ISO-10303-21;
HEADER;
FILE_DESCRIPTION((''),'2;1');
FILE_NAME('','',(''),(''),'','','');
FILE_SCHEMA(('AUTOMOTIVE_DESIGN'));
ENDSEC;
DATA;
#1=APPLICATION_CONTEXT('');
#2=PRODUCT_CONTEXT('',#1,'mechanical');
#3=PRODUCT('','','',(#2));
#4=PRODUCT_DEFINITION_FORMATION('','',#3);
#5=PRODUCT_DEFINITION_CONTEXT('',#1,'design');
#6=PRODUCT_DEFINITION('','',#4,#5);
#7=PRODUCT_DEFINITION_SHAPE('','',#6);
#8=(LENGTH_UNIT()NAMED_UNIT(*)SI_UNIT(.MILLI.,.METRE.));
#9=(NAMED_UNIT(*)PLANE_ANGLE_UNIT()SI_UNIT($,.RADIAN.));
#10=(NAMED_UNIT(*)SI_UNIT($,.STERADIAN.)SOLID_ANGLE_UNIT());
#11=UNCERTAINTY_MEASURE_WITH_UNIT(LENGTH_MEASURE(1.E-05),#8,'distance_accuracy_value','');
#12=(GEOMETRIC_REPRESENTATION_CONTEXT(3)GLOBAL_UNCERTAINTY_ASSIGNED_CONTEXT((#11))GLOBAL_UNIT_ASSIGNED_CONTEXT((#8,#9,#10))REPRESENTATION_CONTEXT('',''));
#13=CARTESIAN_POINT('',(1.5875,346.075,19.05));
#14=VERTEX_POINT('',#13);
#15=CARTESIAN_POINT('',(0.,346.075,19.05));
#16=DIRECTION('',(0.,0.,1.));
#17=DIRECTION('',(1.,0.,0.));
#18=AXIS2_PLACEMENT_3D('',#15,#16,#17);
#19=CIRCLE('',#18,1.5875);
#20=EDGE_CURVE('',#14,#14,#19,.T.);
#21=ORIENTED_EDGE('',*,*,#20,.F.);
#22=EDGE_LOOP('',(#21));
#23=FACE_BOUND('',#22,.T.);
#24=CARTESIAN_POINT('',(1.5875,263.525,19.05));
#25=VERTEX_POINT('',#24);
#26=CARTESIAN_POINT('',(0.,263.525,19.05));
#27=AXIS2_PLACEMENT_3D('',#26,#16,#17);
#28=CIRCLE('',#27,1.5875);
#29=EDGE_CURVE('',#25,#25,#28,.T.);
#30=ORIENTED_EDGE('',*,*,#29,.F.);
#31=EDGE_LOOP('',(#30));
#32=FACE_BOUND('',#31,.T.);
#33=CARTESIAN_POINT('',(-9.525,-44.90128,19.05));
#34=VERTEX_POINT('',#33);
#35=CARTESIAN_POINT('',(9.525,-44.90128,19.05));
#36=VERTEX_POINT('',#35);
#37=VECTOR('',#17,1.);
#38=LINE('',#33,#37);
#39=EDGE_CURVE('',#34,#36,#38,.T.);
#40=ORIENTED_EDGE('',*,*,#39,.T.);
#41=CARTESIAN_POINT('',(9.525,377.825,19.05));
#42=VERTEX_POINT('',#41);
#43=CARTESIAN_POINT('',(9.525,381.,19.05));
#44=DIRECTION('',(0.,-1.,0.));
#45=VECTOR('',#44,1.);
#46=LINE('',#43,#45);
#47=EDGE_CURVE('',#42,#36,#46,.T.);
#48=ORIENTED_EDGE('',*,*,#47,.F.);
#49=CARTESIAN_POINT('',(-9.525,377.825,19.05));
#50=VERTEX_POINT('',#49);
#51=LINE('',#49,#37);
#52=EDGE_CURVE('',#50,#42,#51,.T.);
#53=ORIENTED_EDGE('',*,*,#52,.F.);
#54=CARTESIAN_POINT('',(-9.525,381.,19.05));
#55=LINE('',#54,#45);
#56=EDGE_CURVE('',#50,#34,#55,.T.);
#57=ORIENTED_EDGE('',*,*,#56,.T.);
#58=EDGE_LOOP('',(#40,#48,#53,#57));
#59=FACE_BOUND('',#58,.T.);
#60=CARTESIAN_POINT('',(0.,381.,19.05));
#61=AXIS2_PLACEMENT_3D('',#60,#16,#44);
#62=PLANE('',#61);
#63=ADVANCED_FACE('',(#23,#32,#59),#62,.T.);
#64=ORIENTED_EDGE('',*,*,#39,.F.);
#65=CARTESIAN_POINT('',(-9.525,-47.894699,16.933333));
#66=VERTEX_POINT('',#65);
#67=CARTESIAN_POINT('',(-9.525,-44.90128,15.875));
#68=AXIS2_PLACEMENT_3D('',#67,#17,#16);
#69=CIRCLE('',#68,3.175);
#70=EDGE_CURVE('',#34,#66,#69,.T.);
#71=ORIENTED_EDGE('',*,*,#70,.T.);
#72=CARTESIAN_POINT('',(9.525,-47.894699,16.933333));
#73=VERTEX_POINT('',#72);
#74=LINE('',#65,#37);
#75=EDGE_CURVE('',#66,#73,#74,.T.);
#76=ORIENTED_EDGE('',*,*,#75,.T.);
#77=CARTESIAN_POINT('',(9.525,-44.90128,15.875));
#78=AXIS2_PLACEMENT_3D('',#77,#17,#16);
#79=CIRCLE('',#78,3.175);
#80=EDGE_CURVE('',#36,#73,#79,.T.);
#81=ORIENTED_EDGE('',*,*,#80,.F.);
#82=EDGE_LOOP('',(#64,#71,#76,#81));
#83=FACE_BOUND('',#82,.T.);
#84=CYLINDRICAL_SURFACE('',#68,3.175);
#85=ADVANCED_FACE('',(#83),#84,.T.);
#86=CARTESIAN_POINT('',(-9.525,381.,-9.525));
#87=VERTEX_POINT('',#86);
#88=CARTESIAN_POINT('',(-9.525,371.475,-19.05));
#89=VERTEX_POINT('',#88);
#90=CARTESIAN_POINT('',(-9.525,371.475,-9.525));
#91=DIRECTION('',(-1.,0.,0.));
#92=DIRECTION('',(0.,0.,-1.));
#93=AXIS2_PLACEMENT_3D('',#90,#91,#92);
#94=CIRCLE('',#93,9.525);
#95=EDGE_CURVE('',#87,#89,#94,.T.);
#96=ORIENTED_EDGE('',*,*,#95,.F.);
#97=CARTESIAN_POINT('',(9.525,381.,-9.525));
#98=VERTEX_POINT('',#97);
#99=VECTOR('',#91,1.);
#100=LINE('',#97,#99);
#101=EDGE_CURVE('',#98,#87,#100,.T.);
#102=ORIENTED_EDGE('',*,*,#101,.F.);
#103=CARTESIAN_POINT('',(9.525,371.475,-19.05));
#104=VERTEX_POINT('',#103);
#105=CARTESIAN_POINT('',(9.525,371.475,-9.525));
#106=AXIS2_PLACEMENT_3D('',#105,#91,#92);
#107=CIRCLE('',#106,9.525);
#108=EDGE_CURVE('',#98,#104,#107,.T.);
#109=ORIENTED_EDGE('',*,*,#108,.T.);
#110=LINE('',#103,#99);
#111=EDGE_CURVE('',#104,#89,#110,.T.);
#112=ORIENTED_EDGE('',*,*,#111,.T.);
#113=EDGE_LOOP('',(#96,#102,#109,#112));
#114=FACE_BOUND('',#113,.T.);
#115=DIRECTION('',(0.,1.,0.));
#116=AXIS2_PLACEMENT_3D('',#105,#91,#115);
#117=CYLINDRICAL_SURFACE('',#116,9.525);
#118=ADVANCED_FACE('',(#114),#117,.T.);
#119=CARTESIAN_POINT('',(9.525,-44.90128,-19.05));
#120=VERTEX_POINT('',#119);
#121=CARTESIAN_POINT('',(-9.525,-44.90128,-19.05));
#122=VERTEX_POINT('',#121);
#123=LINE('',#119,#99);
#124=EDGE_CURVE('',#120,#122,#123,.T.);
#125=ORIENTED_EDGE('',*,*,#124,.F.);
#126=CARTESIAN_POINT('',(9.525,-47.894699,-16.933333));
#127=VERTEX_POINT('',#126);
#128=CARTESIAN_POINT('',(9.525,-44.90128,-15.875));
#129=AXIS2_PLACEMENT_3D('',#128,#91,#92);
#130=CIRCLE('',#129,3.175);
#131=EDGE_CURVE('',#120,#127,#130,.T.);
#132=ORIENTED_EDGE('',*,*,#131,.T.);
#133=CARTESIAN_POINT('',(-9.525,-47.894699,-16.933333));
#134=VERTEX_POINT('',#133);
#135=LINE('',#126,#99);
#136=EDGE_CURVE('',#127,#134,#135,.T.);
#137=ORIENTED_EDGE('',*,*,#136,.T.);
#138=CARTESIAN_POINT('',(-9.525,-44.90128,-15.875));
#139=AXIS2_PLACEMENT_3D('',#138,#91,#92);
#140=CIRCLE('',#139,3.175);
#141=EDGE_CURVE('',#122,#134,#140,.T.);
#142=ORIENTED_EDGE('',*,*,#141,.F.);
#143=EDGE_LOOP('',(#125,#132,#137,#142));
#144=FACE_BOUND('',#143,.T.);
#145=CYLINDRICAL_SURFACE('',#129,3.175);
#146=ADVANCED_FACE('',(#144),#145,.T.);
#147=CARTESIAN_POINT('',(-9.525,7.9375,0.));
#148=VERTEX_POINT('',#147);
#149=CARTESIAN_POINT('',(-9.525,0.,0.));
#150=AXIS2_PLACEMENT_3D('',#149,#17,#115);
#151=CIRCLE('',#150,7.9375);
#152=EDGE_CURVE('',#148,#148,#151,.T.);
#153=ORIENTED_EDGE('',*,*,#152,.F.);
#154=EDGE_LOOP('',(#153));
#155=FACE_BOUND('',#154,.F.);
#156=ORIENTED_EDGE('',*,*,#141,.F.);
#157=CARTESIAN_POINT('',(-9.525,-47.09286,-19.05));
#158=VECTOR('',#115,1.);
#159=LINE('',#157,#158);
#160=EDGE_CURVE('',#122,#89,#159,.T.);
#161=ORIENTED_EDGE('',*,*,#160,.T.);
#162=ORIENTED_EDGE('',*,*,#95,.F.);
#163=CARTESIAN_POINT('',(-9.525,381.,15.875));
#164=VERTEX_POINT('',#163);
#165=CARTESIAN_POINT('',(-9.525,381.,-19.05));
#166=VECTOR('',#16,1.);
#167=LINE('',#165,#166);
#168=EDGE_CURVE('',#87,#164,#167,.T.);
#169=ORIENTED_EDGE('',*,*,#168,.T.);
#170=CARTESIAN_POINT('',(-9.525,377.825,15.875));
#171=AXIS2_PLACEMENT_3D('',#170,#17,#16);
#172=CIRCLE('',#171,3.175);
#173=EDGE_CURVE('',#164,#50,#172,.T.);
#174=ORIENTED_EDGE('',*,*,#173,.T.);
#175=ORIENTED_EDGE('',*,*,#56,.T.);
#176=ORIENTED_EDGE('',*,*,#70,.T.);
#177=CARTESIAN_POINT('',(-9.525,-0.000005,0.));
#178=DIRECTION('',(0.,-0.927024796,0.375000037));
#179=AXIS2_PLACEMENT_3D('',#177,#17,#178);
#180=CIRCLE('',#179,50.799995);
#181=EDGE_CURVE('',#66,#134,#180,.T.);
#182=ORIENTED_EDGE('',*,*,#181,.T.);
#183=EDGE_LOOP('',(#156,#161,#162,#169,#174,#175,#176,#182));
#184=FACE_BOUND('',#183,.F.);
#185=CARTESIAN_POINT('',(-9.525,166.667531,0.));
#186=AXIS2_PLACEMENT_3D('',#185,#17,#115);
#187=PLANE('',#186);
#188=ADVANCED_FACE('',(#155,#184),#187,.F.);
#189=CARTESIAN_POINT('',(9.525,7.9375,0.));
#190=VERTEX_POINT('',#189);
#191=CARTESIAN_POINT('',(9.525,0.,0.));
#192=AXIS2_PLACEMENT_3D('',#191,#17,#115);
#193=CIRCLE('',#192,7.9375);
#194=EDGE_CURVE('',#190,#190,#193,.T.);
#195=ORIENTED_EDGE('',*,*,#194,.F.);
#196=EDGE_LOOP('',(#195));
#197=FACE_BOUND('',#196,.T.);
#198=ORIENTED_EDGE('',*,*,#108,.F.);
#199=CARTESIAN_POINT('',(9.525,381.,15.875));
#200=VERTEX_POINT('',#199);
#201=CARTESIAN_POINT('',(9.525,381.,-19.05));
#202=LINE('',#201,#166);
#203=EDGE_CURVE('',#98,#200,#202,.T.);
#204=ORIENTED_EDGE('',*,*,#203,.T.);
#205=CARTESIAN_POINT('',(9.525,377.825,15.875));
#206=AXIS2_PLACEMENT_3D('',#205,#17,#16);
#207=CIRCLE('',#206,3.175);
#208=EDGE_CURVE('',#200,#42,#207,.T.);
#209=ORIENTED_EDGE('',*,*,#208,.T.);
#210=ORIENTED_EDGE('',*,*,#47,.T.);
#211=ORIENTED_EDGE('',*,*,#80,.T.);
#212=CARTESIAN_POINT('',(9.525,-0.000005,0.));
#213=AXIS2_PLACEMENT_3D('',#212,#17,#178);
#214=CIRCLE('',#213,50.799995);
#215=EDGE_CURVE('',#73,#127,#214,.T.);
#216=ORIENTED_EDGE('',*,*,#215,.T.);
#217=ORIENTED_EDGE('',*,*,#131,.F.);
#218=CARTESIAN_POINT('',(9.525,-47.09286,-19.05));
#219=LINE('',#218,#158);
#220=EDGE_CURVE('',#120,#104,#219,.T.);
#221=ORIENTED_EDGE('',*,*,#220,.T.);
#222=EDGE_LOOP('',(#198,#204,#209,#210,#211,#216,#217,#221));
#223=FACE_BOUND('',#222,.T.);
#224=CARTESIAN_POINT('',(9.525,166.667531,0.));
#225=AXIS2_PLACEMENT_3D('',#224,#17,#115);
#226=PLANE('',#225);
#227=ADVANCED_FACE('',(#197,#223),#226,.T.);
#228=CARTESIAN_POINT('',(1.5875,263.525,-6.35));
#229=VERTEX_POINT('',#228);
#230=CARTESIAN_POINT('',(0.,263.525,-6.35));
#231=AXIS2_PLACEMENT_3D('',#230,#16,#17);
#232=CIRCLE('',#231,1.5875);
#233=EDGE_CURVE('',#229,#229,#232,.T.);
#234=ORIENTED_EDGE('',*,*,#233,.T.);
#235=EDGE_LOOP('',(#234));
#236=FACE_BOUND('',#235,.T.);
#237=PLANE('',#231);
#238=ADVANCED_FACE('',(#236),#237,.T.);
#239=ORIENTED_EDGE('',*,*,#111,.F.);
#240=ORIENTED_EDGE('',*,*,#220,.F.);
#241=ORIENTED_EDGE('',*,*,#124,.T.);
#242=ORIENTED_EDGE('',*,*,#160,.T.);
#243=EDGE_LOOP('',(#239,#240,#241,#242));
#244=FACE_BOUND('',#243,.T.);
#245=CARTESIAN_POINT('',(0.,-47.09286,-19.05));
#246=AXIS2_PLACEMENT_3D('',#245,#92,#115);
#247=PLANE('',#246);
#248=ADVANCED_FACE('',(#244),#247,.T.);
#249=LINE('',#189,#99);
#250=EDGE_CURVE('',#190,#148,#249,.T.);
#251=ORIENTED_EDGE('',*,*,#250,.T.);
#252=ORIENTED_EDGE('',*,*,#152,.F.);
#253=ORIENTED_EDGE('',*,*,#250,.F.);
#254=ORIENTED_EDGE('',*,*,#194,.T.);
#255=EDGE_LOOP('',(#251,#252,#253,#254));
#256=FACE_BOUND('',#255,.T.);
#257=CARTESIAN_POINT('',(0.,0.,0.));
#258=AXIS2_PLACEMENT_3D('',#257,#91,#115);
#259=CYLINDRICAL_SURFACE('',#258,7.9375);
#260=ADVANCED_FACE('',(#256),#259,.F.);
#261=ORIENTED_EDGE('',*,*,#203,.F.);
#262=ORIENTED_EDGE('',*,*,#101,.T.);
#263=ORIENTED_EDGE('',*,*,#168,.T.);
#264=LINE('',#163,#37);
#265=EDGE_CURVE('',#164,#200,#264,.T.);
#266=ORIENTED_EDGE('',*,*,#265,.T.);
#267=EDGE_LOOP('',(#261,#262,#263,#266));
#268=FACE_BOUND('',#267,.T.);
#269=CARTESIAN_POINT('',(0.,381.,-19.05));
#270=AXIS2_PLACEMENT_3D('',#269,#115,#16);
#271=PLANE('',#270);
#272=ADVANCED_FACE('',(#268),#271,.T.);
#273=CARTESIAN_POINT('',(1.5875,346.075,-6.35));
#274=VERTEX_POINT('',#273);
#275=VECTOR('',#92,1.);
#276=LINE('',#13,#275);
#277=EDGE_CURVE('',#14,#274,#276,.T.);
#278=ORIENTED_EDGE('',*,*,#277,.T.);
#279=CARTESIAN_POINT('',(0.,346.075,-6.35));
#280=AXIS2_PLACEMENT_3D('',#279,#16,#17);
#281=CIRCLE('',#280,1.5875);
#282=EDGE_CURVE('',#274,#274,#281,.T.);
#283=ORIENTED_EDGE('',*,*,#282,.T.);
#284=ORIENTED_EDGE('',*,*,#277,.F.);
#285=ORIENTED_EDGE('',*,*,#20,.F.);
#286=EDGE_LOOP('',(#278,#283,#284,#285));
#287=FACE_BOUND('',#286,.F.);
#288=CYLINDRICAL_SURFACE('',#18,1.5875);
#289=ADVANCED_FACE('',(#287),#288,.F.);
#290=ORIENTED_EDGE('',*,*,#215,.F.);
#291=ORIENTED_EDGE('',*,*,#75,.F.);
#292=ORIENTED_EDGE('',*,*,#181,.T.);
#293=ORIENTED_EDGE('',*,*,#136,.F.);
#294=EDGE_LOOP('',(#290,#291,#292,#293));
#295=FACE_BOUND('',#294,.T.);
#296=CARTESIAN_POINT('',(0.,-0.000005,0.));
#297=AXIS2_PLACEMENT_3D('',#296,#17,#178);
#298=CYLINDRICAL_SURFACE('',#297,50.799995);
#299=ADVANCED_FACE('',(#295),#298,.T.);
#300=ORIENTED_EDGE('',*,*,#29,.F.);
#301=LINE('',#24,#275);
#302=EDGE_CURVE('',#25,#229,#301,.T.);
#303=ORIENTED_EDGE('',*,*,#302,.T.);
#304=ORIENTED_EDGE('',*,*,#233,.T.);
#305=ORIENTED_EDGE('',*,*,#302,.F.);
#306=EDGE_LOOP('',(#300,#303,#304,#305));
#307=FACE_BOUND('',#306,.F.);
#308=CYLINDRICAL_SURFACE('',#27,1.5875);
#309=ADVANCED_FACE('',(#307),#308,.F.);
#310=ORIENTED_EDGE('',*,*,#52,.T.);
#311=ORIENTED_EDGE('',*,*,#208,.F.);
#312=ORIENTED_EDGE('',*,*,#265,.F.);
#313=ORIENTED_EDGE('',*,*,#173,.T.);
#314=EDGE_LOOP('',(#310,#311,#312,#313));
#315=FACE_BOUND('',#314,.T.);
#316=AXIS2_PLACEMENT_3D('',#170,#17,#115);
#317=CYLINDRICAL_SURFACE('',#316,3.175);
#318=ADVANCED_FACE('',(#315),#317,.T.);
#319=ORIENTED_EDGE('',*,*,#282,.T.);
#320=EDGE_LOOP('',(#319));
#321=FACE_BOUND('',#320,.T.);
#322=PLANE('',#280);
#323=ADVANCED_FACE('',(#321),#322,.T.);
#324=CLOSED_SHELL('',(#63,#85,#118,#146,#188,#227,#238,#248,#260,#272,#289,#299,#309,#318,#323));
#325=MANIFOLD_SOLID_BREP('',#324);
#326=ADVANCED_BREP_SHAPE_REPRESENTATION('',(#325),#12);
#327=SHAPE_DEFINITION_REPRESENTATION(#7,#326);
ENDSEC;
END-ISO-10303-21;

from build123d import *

# Parameters (mm, degrees)
F0_R     = 7.9375
F1_DEPTH = 9.525
F2_R     = 1.5875
F3_DEPTH = 25.4
F4_R     = 9.525
F5_R     = 3.175


with BuildPart() as f1:
    # F0 (on Right) → F1 (new body, symmetric)
    with BuildSketch(Plane.YZ):
        with BuildLine():
            Line((381, -19.05), (381, 19.05))
            Line((381, 19.05), (-47.09286, 19.05))
            ThreePointArc((-47.09286, 19.05), (-50.8, 0), (-47.09286, -19.05))
            Line((-47.09286, -19.05), (381, -19.05))
        make_face()
        Circle(F0_R, mode=Mode.SUBTRACT)
    extrude(amount=F1_DEPTH, both=True)

    # F2 (on face) → F3 (cut)
    with BuildSketch(Plane.XY.offset(19.05)):
        with Locations((0, 346.075)):
            Circle(F2_R)
        with Locations((0, 263.525)):
            Circle(F2_R)
    extrude(amount=-F3_DEPTH, mode=Mode.SUBTRACT)

    # F4
    f4_edges = [f1.edges().sort_by_distance(p)[0] for p in [
        (0, 381, -19.05),
    ]]
    fillet(f4_edges, radius=F4_R)

    # F5
    f5_edges = [f1.edges().sort_by_distance(p)[0] for p in [
        (0, 381, 19.05),
        (0, -47.09286, -19.05),
        (0, -47.09286, 19.05),
    ]]
    fillet(f5_edges, radius=F5_R)


solid = f1.part
